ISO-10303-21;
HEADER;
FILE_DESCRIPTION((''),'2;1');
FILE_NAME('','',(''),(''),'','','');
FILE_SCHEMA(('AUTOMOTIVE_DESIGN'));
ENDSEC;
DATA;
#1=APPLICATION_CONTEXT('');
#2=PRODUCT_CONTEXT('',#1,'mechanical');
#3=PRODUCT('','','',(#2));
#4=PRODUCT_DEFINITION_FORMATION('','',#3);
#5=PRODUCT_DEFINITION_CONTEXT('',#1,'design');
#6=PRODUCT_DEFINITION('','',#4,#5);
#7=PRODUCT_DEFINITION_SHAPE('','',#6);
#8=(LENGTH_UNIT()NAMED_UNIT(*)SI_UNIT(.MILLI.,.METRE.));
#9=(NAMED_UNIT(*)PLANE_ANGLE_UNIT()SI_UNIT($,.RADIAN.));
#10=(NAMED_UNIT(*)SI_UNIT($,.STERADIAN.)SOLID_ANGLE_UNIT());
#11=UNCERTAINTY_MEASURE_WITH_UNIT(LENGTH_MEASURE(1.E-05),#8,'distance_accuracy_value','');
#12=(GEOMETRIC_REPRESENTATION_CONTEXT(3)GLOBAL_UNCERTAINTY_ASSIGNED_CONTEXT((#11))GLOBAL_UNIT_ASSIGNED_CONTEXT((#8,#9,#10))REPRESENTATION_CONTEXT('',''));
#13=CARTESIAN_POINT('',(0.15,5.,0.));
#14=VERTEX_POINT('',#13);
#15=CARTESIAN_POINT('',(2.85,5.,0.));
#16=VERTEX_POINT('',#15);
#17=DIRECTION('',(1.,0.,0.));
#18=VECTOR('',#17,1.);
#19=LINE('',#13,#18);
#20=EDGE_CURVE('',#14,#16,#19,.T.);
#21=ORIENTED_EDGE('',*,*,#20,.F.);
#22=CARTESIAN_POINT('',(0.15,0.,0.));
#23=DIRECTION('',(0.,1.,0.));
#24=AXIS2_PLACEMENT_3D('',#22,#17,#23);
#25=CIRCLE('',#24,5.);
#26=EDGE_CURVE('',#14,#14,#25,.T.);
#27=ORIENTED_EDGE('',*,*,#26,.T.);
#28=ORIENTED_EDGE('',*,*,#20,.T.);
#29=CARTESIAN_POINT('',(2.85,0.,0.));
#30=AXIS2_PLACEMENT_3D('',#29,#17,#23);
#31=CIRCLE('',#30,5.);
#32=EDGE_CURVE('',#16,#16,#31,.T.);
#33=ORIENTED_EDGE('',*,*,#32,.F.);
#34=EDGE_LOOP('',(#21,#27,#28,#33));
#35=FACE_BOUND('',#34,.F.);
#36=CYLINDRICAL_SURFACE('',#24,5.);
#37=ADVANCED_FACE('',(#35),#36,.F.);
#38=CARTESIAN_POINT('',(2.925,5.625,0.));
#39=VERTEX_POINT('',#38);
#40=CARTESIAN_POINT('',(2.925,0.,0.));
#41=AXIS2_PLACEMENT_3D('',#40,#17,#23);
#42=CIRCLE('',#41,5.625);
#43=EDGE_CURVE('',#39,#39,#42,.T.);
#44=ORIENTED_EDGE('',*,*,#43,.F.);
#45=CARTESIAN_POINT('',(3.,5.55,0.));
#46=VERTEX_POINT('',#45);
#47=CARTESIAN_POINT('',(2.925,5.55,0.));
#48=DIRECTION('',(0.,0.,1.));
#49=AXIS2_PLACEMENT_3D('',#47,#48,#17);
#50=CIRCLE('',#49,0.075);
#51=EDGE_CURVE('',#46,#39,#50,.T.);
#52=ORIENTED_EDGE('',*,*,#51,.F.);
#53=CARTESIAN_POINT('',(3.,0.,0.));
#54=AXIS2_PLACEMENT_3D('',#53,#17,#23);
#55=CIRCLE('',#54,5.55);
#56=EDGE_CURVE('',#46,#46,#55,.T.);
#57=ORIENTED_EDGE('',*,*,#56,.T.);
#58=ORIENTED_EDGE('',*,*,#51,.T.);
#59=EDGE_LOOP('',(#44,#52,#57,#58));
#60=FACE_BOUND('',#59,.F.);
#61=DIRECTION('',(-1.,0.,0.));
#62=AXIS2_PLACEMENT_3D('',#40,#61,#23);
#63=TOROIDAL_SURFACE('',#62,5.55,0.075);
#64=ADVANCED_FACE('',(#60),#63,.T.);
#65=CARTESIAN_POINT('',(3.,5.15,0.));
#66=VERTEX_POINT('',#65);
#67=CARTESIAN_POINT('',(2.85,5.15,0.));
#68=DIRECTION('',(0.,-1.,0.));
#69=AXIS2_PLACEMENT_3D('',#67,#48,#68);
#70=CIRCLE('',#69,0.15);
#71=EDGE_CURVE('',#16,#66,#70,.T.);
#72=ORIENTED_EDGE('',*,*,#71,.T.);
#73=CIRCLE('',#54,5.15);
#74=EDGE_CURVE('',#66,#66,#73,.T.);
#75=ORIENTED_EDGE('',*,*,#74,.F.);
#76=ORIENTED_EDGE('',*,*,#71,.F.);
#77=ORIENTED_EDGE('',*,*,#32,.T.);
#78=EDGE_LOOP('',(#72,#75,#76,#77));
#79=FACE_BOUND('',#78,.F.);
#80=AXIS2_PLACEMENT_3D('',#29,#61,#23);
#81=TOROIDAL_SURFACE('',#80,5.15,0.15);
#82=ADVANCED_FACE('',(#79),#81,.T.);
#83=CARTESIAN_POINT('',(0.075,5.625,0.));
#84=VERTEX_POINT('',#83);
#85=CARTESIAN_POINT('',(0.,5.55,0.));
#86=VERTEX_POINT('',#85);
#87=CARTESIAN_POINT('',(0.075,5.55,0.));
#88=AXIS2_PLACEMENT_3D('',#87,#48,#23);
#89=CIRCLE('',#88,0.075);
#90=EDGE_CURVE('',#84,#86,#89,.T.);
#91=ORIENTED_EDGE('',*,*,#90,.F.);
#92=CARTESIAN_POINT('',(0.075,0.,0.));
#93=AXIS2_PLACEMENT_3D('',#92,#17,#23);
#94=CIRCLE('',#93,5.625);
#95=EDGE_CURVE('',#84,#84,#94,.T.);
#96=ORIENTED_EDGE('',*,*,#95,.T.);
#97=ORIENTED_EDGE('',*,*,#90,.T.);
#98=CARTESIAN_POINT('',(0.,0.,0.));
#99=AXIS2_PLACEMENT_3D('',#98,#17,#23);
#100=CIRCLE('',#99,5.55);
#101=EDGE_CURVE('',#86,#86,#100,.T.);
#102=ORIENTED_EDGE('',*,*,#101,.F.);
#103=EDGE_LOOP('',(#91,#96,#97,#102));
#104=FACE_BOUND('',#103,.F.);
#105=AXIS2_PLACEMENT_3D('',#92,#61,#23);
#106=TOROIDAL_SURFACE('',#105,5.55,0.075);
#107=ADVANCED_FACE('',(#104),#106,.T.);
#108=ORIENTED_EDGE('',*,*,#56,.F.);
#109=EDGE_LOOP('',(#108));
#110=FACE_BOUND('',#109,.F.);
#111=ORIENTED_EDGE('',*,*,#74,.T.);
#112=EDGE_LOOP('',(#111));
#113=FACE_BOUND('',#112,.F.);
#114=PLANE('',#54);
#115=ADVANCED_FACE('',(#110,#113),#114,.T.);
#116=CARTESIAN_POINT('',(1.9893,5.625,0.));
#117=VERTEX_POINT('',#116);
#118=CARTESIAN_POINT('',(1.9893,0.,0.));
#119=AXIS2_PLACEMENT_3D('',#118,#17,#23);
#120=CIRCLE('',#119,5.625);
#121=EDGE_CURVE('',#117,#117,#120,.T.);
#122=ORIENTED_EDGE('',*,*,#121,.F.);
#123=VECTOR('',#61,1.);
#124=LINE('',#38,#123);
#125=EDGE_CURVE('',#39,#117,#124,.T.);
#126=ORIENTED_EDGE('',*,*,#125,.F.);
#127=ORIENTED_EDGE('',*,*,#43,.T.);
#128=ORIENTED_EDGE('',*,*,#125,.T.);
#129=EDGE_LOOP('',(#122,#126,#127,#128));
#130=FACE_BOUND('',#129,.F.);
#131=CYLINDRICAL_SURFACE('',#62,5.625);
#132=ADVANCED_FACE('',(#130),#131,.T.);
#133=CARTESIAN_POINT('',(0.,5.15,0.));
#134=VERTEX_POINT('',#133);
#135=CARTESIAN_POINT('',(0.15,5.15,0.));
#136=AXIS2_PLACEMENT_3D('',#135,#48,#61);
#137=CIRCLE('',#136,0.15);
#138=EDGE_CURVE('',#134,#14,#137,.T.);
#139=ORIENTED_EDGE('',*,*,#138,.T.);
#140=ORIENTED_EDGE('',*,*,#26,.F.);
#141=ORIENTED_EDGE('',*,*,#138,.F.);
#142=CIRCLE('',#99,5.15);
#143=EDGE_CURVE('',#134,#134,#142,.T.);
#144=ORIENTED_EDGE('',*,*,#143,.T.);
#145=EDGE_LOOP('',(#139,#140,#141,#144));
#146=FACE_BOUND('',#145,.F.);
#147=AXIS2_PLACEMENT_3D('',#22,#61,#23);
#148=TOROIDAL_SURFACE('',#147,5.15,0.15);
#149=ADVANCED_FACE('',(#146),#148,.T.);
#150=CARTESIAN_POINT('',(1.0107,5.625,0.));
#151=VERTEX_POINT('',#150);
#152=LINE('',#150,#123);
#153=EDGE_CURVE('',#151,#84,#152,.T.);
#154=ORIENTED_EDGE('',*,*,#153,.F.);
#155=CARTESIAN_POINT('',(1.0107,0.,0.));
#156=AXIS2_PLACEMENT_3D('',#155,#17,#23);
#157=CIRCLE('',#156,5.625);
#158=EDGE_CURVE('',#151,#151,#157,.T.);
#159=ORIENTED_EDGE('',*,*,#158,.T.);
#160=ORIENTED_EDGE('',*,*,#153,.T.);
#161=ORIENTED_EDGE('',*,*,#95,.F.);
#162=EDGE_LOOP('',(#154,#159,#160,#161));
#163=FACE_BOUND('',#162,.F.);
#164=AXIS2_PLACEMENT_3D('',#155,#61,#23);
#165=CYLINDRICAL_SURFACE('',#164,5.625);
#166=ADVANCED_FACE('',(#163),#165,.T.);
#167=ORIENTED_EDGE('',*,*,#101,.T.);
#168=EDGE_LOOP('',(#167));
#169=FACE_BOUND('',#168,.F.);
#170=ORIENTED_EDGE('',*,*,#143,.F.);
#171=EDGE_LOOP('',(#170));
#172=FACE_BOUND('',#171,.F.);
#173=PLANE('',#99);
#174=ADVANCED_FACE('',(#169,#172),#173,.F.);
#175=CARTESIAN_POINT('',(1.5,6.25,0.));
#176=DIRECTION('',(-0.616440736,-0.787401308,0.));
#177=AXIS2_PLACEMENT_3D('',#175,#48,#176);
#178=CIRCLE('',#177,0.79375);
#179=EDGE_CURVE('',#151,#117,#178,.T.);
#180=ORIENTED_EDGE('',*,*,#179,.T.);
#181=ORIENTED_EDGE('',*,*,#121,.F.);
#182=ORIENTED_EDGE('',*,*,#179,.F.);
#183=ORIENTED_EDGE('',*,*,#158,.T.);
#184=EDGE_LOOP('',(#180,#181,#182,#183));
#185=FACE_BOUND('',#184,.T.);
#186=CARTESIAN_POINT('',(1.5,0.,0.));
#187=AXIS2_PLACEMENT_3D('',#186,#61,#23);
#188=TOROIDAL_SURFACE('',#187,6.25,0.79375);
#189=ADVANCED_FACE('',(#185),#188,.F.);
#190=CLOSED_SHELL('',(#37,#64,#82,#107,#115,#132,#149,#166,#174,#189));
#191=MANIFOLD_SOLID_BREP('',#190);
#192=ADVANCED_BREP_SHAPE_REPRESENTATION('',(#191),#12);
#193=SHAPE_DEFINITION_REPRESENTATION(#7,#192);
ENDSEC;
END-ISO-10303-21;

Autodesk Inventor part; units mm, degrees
sketch "Sketch_1" plane through (0, 0, 0) normal (0, 0, 1) x (1, 0, 0)
  line L0 (3, 0) -> (0, 0)
  line L1 (0, 5.55) -> (0, 5.15)
  arc A0 (0, 5.15) -> (0.15, 5) centre (0.15, 5.15) ccw
  line L2 (0.15, 5) -> (2.85, 5)
  arc A1 (2.85, 5) -> (3, 5.15) centre (2.85, 5.15) ccw
  line L3 (3, 5.15) -> (3, 5.55)
  arc A2 (3, 5.55) -> (2.925, 5.625) centre (2.925, 5.55) ccw
  line L4 (2.925, 5.625) -> (1.9893, 5.625)
  arc A3 (1.0107, 5.625) -> (1.9893, 5.625) centre (1.5, 6.25) ccw
  line L5 (1.0107, 5.625) -> (0.075, 5.625)
  arc A4 (0.075, 5.625) -> (0, 5.55) centre (0.075, 5.55) ccw
revolve "Revolution1" add sketch "Sketch_1" angle 360 about axis through (3, 0, 0) along (1, 0, 0)
ref_plane "1_XY" through (1.5, 0, 0) normal (1, 0, 0) x (0, 0, -1)
ref_plane "1_YZ" through (1.5, 0, 0) normal (0, 0, -1) x (0, 1, 0)
ref_plane "1_ZX" through (1.5, 0, 0) normal (0, 1, 0) x (1, 0, 0)
ref_plane "1_Dummy_XY" through (0, 0, 0) normal (-1, 0, 0) x (0, 0, -1)
ref_plane "1_Dummy_YZ" through (0, 0, 0) normal (0, 0, -1) x (0, -1, 0)
ref_plane "1_Dummy_ZX" through (0, 0, 0) normal (0, -1, 0) x (-1, 0, 0)
properties part number "A-1510_ir"
